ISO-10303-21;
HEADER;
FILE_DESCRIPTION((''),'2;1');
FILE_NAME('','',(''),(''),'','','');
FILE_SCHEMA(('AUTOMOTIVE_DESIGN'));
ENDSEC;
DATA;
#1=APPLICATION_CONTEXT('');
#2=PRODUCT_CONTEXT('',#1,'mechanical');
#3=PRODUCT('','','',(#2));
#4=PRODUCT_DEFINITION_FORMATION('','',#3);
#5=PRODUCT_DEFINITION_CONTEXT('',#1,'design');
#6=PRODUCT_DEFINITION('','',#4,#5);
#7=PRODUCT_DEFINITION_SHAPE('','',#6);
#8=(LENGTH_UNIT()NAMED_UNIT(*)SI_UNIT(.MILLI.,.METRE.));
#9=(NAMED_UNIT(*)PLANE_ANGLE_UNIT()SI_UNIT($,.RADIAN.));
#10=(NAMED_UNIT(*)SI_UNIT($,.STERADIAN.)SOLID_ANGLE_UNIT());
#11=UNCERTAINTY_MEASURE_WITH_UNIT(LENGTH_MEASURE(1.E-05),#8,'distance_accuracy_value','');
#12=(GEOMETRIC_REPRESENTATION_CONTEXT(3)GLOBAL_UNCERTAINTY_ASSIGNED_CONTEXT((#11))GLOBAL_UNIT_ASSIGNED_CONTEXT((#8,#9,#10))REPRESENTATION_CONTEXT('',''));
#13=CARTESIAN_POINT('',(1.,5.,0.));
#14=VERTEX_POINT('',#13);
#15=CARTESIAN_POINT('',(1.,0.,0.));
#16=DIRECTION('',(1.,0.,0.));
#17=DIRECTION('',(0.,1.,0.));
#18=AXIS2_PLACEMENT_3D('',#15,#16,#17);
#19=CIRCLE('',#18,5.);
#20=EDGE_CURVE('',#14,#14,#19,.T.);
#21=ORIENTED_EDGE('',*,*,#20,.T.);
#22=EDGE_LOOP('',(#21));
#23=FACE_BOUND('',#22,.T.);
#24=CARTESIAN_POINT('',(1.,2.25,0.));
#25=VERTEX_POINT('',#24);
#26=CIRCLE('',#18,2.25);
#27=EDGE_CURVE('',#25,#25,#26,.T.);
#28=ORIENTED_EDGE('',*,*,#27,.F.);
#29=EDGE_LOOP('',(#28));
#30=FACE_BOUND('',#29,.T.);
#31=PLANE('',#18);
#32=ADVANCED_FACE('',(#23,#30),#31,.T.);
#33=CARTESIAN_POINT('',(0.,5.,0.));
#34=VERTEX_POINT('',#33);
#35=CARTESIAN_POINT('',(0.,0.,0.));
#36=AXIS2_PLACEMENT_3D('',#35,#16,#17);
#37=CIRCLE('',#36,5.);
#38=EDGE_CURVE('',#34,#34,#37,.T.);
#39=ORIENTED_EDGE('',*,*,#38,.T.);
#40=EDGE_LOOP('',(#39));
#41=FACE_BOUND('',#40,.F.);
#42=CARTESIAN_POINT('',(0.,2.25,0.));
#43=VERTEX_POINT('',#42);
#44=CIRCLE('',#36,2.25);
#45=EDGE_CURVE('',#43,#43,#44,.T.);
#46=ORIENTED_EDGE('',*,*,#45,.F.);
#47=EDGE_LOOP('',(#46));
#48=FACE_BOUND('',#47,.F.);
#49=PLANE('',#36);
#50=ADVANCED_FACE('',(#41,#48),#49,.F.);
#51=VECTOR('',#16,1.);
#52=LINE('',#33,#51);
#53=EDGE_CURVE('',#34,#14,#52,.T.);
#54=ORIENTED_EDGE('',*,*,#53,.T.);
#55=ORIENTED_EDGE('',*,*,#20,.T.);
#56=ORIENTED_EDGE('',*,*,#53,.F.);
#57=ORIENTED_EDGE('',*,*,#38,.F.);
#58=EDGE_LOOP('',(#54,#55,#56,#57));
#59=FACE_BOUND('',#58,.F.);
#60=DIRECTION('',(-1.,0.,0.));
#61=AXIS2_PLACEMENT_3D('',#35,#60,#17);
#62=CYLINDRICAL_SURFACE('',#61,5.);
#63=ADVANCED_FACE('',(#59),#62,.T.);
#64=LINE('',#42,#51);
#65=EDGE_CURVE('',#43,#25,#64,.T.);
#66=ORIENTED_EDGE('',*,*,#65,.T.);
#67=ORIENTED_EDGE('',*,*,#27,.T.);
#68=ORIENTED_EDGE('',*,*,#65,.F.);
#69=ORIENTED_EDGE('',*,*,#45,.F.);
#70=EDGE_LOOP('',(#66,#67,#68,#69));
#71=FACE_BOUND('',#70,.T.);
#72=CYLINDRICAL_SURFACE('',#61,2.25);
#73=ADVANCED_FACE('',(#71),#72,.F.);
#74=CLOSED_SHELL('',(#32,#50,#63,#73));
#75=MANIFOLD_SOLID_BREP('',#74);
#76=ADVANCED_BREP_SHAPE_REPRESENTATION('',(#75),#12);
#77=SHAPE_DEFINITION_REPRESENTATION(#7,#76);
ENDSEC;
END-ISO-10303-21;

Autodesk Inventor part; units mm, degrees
ref_plane "YZ Plane" through (0, 0, 0) normal (1, 0, 0) x (0, 1, 0)
ref_plane "XZ Plane" through (0, 0, 0) normal (0, 1, 0) x (-1, 0, 0)
sketch "Sketch" plane through (0, 0, 0) normal (1, 0, 0) x (0, 1, 0)
  circle A0 centre (0, 0) radius 5
  circle A1 centre (0, 0) radius 2.25
  dimension "d0" = 4.5
  dimension "d1" = 10
extrude "Body" add sketch "Sketch" along normal blind 1
ref_plane "Work Plane1" through (0, 0, 0) normal (0, 0, 1) x (1, 0, 0)
equation "\"d0\" = SD1"
equation "\"d1\" = SD2"
equation "\"d2\" = SD"
equation "\"SD1\" = 4.5"
equation "\"SD2\" = 10"
equation "\"SD\" = 1"
equation "\"NND\" = 4"
properties part number "Washer M4" material "Steel"
